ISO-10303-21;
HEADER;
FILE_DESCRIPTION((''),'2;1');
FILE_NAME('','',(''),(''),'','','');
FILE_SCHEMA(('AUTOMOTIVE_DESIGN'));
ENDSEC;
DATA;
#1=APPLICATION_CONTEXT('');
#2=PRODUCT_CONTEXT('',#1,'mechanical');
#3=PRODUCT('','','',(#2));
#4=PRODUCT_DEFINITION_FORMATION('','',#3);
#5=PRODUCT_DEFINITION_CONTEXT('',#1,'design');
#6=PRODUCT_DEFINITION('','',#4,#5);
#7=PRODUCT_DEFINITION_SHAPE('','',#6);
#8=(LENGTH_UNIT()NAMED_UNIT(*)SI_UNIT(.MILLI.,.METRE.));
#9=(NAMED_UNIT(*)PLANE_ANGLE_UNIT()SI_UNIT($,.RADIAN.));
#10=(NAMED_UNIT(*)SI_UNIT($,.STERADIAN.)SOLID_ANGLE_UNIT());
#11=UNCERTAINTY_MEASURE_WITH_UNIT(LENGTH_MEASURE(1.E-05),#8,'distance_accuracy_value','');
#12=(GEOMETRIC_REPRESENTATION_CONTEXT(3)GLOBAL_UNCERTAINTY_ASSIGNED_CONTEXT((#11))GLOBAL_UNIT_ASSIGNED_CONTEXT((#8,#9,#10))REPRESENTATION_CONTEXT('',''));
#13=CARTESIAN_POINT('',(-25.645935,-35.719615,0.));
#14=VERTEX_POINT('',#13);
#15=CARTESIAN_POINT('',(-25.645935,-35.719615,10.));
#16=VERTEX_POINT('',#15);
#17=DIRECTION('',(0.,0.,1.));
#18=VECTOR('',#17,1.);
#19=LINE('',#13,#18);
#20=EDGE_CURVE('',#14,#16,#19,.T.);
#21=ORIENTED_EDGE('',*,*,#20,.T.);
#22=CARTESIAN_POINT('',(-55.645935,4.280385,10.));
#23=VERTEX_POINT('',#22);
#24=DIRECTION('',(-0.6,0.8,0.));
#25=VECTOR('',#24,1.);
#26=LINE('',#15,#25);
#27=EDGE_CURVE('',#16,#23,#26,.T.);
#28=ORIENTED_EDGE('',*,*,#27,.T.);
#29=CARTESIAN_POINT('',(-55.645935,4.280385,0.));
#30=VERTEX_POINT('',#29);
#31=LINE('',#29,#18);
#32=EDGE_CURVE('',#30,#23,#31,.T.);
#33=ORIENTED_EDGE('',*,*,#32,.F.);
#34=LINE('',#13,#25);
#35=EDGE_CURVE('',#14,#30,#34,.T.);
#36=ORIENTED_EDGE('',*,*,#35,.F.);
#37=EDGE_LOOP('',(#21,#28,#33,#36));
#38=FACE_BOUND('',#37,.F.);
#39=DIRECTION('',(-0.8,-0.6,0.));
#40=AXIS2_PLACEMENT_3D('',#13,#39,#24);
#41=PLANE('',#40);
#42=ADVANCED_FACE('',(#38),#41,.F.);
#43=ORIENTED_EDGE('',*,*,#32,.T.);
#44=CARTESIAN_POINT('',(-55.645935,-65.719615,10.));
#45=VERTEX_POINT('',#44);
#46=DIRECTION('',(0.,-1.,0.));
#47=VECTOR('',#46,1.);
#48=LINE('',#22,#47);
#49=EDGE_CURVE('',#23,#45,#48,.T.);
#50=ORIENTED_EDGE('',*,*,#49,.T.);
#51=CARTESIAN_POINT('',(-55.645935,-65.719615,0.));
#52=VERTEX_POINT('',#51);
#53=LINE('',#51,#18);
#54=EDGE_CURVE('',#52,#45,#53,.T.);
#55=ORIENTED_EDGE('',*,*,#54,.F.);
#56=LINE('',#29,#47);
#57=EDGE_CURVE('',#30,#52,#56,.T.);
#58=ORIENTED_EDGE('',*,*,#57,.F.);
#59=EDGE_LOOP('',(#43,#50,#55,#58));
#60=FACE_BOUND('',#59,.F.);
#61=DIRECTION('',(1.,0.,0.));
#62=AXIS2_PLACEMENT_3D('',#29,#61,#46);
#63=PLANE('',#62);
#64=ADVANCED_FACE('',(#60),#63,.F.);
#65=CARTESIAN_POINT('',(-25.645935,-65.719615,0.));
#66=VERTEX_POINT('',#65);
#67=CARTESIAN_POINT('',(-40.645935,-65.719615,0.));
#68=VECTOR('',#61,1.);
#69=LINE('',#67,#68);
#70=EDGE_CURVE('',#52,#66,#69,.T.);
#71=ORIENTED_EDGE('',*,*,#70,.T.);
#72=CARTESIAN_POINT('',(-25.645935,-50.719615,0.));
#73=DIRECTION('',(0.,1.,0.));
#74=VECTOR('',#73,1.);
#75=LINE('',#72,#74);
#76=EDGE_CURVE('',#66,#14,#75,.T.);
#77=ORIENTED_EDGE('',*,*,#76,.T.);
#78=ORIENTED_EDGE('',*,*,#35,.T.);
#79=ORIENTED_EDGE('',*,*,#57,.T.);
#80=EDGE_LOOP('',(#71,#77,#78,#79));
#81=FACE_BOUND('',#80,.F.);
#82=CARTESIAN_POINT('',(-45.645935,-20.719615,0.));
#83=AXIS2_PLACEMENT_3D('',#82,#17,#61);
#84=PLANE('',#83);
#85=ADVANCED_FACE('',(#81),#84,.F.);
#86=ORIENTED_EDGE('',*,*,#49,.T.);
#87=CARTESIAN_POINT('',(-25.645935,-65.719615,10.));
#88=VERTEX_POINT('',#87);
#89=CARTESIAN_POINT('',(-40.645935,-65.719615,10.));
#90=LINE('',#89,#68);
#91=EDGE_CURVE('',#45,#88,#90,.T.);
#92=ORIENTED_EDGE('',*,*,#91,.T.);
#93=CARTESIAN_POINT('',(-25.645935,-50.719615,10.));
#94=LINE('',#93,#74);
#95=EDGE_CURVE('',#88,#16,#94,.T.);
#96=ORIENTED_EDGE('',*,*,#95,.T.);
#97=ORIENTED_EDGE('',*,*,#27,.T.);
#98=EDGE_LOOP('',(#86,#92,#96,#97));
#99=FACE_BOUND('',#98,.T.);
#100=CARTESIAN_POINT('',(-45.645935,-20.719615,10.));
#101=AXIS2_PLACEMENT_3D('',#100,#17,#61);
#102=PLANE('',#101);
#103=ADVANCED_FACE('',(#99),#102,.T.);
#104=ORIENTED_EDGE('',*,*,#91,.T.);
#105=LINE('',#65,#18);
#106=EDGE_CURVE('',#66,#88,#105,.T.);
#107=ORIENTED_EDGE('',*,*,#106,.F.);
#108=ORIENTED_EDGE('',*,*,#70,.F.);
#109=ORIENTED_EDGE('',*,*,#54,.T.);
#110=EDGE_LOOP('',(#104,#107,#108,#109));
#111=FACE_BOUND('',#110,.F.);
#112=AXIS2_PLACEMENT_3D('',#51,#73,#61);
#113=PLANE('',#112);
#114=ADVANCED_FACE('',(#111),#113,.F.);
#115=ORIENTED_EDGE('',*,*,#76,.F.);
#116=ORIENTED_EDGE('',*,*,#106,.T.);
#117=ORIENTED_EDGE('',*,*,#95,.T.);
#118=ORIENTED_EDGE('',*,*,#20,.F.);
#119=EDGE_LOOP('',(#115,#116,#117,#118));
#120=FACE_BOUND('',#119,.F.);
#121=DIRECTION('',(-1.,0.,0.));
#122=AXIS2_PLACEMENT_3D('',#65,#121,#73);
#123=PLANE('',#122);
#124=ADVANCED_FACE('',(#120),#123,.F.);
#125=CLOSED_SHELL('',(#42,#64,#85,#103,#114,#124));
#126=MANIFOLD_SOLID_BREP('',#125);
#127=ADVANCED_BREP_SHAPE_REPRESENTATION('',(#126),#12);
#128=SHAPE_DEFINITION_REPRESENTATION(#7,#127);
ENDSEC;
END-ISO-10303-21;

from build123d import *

# Parameters (mm, degrees)
F0_W     = 30
F0_H     = 30
F1_DEPTH = 10


with BuildPart() as f1:
    # F0 (on Top) → F1 (new body)
    with BuildSketch(Plane.XY):
        Polygon((-55.645935, 4.280385), (-55.645935, -35.719615), (-25.645935, -35.719615), align=None)
        with Locations((-40.645935, -50.719615)):
            Rectangle(F0_W, F0_H)
    extrude(amount=F1_DEPTH)


solid = f1.part
